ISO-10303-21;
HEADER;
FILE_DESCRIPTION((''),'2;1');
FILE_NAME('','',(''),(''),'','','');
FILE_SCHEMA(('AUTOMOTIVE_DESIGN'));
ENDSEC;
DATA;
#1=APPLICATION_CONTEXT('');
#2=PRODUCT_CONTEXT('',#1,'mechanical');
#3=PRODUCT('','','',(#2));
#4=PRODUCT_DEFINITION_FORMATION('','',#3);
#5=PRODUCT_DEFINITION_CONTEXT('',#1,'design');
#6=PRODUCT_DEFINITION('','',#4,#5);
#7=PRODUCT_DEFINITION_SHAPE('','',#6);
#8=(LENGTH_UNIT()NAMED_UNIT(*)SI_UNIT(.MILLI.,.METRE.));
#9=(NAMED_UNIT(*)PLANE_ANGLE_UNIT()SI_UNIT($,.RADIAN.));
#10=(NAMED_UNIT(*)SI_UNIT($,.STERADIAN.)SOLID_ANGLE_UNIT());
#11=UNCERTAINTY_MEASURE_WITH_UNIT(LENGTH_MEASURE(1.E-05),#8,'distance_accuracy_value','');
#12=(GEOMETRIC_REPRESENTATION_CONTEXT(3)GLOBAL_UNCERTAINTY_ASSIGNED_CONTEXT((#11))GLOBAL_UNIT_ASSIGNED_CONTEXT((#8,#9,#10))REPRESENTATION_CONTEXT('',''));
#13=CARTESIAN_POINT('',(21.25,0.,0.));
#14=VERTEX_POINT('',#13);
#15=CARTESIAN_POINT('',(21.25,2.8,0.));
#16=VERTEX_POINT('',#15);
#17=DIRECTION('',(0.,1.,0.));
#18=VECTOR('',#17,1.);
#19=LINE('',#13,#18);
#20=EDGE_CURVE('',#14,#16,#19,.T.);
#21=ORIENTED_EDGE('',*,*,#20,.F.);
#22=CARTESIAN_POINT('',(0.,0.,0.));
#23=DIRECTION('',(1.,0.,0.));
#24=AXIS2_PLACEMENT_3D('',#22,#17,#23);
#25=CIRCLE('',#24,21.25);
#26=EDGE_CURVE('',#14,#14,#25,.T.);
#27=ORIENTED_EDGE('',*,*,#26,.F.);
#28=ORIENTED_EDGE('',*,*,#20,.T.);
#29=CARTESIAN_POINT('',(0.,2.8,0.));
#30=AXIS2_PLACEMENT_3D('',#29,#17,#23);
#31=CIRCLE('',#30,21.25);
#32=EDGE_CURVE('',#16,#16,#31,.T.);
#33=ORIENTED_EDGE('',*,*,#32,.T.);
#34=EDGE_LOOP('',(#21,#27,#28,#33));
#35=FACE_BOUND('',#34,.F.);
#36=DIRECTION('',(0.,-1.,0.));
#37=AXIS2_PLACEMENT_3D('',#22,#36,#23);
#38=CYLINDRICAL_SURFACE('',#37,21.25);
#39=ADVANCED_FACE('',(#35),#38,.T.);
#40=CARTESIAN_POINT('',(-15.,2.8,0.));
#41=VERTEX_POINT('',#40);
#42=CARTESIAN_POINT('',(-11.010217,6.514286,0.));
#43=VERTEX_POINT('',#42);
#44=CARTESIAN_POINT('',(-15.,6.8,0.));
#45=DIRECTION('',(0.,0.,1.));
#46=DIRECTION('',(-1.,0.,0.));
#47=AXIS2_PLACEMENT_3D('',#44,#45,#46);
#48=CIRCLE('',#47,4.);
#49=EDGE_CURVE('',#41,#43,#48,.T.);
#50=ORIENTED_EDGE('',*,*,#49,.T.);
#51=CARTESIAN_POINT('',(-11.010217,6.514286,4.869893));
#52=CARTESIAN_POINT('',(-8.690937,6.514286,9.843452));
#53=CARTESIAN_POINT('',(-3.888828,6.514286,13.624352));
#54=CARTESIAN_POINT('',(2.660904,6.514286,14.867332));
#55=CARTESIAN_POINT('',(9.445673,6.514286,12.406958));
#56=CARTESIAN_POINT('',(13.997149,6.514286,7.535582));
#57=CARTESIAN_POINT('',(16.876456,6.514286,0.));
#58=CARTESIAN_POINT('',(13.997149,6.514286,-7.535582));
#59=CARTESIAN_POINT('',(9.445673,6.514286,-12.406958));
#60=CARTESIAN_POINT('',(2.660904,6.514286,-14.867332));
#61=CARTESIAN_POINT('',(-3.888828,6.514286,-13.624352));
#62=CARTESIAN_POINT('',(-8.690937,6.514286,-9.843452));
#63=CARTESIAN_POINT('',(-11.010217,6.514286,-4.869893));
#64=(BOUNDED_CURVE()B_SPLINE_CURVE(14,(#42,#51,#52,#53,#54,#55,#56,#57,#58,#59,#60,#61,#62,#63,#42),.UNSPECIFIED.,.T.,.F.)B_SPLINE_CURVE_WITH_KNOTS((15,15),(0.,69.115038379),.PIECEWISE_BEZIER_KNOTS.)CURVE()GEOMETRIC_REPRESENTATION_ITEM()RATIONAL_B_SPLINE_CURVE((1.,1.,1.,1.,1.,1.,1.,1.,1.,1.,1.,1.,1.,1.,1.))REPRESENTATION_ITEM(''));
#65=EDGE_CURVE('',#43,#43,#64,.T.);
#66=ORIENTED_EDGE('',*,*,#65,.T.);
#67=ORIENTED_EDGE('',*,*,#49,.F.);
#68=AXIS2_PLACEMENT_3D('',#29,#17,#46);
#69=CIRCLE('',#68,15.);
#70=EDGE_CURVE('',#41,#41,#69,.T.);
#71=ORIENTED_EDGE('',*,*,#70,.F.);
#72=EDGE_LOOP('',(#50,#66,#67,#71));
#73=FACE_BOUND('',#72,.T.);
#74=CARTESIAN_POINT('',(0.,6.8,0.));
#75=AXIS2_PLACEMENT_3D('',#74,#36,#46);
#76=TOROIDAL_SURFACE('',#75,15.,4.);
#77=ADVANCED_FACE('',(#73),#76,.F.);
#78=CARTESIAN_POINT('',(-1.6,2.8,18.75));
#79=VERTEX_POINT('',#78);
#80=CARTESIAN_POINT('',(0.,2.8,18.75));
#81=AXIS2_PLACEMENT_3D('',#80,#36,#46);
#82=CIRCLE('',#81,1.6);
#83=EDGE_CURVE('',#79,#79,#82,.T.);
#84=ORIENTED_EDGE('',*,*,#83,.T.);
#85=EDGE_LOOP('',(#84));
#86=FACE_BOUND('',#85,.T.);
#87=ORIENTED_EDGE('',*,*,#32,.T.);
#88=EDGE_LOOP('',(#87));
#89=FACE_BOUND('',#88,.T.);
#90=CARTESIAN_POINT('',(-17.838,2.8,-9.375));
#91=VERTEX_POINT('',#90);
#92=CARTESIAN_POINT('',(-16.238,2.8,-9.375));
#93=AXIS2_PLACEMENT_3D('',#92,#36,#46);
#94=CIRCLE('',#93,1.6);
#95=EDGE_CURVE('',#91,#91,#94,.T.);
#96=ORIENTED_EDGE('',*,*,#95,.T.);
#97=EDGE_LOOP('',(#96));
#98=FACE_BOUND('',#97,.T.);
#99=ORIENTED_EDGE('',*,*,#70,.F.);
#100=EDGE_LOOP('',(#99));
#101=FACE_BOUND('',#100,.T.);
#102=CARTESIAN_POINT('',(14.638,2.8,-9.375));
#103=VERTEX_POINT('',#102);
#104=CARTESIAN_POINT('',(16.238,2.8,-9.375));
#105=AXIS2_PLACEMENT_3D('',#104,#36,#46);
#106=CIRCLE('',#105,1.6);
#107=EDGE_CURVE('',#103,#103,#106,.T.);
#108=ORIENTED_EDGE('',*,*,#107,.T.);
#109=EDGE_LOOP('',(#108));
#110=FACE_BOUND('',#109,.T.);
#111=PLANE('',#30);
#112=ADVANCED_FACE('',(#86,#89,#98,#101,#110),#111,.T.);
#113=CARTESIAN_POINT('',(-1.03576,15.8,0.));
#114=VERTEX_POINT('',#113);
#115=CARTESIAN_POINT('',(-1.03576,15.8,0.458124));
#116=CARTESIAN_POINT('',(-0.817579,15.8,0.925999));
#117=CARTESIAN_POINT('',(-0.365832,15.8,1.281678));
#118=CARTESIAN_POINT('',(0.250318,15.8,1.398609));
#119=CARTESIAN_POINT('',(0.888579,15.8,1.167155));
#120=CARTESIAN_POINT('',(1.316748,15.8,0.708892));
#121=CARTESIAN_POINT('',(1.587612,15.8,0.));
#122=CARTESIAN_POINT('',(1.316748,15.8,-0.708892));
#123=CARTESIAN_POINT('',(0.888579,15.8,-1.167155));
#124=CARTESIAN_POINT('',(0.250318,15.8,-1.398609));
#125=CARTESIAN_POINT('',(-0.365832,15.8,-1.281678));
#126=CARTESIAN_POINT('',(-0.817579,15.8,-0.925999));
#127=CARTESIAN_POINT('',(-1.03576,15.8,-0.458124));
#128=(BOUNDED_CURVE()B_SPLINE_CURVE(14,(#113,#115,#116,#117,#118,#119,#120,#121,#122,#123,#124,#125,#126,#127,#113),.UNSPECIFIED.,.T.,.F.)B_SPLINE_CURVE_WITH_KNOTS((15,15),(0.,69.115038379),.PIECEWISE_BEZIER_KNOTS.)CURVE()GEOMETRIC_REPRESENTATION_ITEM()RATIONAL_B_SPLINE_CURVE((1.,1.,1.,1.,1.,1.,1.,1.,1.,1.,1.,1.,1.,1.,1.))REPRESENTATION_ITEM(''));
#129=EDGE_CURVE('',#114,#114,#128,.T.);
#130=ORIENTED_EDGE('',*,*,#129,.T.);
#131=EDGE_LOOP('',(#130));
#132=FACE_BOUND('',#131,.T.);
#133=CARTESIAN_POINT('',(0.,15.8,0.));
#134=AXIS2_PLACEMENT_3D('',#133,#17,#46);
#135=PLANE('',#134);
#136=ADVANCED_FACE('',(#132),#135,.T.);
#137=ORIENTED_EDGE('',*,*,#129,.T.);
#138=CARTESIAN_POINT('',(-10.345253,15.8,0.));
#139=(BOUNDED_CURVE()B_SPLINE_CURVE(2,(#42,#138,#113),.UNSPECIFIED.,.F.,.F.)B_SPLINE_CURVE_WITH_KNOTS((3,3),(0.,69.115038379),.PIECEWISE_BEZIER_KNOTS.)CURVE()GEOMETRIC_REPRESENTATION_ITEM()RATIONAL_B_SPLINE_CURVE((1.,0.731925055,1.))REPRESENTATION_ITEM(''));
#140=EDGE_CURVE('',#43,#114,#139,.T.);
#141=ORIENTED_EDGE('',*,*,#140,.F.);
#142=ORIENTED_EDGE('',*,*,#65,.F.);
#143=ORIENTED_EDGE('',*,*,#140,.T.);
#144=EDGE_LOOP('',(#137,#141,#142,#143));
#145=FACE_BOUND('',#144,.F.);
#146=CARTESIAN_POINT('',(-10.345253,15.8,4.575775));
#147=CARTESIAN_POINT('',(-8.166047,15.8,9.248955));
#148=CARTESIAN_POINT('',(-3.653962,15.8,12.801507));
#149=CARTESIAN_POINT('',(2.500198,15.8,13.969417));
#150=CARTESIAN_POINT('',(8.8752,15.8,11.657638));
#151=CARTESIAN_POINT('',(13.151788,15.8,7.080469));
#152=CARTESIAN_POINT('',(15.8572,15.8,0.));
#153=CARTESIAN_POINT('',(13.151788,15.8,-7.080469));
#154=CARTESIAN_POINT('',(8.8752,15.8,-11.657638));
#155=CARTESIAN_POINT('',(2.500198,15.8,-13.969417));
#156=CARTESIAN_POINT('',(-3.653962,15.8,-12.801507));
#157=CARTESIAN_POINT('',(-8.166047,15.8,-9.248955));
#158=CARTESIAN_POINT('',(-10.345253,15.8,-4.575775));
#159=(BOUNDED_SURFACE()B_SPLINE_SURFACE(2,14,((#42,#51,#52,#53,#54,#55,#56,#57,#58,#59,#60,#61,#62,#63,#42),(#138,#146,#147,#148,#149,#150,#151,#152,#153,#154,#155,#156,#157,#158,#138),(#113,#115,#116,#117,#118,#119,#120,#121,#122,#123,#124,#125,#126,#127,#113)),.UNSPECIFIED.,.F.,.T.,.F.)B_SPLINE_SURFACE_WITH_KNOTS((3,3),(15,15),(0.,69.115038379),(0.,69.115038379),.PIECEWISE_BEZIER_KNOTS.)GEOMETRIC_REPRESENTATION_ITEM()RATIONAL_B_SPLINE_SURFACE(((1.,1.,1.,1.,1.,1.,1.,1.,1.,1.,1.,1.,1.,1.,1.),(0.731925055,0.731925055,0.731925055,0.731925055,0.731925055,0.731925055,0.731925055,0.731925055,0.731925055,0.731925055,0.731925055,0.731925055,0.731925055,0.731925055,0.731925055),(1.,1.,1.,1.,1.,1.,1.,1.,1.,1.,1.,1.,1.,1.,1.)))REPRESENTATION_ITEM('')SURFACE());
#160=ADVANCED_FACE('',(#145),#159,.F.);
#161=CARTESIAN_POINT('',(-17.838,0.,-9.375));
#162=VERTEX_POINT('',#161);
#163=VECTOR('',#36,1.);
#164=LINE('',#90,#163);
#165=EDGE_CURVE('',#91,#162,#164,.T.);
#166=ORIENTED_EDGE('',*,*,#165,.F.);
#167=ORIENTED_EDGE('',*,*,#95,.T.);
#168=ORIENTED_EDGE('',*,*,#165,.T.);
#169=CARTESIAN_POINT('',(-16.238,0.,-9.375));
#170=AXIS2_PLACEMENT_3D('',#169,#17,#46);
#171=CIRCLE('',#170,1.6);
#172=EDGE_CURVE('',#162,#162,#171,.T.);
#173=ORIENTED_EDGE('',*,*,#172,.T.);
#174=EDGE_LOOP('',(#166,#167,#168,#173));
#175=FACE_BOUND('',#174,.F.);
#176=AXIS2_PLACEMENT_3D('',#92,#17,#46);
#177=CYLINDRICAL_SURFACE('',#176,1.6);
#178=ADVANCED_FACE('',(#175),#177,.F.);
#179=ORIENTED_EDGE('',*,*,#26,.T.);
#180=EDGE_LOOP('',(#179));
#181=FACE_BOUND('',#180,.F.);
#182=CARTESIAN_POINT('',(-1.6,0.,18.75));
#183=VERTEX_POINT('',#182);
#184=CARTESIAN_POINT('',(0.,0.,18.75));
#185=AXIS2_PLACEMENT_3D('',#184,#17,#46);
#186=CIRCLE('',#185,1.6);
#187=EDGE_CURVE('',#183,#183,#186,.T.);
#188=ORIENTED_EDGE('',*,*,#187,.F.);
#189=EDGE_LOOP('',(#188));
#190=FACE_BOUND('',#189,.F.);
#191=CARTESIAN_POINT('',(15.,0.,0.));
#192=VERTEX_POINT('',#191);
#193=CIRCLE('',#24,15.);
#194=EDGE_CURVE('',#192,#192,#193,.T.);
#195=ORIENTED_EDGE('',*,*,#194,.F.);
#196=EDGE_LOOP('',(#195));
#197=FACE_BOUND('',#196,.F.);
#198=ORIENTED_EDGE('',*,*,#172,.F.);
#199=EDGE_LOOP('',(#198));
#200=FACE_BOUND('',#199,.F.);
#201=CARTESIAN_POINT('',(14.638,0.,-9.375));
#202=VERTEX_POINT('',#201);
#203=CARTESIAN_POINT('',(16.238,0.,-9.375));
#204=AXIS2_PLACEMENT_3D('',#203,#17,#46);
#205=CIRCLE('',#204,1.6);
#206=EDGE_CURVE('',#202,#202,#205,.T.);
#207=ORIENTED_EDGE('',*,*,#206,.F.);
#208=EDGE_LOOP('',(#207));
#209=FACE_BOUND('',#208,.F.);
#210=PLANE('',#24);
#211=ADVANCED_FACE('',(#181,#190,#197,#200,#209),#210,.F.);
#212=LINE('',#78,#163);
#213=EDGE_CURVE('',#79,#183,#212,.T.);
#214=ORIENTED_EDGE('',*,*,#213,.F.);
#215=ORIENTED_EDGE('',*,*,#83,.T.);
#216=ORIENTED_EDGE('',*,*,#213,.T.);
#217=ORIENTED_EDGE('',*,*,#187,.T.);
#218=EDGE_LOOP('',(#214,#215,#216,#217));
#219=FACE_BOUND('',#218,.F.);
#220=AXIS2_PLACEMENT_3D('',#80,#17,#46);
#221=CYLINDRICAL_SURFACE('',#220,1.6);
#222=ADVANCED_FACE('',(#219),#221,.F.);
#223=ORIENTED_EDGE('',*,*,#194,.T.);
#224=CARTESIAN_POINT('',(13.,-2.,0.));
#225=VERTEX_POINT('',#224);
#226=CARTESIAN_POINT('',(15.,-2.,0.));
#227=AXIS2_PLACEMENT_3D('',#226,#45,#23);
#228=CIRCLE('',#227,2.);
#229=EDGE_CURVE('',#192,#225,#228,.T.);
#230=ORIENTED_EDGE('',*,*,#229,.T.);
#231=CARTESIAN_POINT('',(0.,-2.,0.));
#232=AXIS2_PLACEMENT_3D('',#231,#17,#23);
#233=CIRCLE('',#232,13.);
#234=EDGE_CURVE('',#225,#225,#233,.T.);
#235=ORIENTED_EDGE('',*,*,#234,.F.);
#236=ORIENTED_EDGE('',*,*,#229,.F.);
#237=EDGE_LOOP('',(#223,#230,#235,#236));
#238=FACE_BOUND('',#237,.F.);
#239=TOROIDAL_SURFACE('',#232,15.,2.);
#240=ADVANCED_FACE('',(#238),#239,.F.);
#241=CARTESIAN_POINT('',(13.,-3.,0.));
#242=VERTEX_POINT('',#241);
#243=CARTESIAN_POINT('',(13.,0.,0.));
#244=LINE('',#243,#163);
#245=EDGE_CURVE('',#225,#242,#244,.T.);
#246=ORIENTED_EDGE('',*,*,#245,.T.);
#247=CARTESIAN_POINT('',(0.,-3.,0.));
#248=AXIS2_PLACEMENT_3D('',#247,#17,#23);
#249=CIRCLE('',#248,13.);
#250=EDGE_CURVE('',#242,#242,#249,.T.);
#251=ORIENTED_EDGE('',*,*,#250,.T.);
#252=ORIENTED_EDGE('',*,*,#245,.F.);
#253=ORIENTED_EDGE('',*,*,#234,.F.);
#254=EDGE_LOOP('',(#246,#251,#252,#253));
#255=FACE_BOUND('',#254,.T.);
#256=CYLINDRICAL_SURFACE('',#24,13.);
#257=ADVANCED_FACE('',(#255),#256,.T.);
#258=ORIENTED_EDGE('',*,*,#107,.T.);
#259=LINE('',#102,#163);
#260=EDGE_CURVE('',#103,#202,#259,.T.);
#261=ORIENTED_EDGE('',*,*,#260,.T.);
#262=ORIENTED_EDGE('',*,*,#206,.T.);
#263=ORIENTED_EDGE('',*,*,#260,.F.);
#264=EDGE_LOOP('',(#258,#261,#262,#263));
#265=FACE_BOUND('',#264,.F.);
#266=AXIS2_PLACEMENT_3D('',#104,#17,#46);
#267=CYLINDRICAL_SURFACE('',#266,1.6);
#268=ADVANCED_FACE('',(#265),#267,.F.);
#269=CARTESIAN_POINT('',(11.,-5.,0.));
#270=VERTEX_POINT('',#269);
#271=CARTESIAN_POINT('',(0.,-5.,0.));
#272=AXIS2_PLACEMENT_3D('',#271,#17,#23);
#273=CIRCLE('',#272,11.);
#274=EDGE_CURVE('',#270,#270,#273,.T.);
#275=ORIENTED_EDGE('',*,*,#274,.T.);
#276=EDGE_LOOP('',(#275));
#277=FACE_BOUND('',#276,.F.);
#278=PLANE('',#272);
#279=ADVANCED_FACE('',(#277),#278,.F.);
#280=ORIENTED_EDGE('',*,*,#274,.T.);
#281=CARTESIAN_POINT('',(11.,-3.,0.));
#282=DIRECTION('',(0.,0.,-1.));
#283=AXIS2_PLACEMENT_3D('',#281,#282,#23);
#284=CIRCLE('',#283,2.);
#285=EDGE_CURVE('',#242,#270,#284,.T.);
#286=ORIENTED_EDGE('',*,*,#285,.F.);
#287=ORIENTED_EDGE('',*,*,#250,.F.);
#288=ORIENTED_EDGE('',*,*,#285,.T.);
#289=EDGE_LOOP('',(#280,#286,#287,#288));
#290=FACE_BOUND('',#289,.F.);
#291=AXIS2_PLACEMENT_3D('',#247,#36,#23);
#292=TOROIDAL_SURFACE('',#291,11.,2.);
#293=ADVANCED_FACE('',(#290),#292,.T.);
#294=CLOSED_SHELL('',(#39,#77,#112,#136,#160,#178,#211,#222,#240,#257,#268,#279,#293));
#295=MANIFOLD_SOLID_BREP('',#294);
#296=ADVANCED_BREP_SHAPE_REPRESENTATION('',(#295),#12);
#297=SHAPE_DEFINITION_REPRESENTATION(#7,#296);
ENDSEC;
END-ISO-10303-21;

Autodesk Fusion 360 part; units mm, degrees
sketch "Sketch1" plane through (0, 0, 0) normal (0, 1, 0) x (1, 0, 0)
  circle A0 centre (0, 0) radius 13
  circle A1 centre (0, 0) radius 21.25
  dimension "d1" = 26
  dimension "d2" = 42.5
extrude "Extrude1" add sketch "Sketch1" against normal blind 5 contours A0
extrude "Extrude2" add sketch "Sketch1" along normal blind 2.8 contours A0 | A1
sketch "Sketch2" plane through (0, 2.8, 0) normal (0, 1, 0) x (-1, 0, 0)
  circle A0 centre (0, 0) radius 21.25
  circle A1 centre (0, 0) radius 11
  dimension "d7" = 22
extrude "Extrude3" add sketch "Sketch2" along normal blind 13 contours A1
fillet "Fillet1" radius 4 1 edges at (10.2556, 2.8, 3.9778)
fillet "Fillet2" radius 10 1 edges at (10.2556, 15.8, -3.9778)
fillet "Fillet3" radius 2 1 edges at (-12.1203, 0, 4.701)
fillet "Fillet4" radius 2 1 edges at (-12.1203, -5, -4.701)
sketch "Sketch3" plane through (0, 2.8, 0) normal (0, 1, 0) x (-1, 0, 0)
  circle A0 centre (0, 0) radius 21.25
  circle A1 centre (0, 0) radius 15
  circle A2 centre (0, 0) radius 18.75
  circle A3 centre (0, 18.75) radius 1.6
  circle A4 centre (-16.238, -9.375) radius 1.6
  circle A5 centre (16.238, -9.375) radius 1.6
  dimension "d18" = 37.5
  dimension "d19" = 3.2
  dimension "d21" = 360
extrude "Extrude4" cut sketch "Sketch3" against normal blind 5 contours A2 A3 | A2 A3 | A2 A5 | A2 A5 | A2 A4 | A2 A4
equation "d18 = 42.500 mm - 5 mm"
